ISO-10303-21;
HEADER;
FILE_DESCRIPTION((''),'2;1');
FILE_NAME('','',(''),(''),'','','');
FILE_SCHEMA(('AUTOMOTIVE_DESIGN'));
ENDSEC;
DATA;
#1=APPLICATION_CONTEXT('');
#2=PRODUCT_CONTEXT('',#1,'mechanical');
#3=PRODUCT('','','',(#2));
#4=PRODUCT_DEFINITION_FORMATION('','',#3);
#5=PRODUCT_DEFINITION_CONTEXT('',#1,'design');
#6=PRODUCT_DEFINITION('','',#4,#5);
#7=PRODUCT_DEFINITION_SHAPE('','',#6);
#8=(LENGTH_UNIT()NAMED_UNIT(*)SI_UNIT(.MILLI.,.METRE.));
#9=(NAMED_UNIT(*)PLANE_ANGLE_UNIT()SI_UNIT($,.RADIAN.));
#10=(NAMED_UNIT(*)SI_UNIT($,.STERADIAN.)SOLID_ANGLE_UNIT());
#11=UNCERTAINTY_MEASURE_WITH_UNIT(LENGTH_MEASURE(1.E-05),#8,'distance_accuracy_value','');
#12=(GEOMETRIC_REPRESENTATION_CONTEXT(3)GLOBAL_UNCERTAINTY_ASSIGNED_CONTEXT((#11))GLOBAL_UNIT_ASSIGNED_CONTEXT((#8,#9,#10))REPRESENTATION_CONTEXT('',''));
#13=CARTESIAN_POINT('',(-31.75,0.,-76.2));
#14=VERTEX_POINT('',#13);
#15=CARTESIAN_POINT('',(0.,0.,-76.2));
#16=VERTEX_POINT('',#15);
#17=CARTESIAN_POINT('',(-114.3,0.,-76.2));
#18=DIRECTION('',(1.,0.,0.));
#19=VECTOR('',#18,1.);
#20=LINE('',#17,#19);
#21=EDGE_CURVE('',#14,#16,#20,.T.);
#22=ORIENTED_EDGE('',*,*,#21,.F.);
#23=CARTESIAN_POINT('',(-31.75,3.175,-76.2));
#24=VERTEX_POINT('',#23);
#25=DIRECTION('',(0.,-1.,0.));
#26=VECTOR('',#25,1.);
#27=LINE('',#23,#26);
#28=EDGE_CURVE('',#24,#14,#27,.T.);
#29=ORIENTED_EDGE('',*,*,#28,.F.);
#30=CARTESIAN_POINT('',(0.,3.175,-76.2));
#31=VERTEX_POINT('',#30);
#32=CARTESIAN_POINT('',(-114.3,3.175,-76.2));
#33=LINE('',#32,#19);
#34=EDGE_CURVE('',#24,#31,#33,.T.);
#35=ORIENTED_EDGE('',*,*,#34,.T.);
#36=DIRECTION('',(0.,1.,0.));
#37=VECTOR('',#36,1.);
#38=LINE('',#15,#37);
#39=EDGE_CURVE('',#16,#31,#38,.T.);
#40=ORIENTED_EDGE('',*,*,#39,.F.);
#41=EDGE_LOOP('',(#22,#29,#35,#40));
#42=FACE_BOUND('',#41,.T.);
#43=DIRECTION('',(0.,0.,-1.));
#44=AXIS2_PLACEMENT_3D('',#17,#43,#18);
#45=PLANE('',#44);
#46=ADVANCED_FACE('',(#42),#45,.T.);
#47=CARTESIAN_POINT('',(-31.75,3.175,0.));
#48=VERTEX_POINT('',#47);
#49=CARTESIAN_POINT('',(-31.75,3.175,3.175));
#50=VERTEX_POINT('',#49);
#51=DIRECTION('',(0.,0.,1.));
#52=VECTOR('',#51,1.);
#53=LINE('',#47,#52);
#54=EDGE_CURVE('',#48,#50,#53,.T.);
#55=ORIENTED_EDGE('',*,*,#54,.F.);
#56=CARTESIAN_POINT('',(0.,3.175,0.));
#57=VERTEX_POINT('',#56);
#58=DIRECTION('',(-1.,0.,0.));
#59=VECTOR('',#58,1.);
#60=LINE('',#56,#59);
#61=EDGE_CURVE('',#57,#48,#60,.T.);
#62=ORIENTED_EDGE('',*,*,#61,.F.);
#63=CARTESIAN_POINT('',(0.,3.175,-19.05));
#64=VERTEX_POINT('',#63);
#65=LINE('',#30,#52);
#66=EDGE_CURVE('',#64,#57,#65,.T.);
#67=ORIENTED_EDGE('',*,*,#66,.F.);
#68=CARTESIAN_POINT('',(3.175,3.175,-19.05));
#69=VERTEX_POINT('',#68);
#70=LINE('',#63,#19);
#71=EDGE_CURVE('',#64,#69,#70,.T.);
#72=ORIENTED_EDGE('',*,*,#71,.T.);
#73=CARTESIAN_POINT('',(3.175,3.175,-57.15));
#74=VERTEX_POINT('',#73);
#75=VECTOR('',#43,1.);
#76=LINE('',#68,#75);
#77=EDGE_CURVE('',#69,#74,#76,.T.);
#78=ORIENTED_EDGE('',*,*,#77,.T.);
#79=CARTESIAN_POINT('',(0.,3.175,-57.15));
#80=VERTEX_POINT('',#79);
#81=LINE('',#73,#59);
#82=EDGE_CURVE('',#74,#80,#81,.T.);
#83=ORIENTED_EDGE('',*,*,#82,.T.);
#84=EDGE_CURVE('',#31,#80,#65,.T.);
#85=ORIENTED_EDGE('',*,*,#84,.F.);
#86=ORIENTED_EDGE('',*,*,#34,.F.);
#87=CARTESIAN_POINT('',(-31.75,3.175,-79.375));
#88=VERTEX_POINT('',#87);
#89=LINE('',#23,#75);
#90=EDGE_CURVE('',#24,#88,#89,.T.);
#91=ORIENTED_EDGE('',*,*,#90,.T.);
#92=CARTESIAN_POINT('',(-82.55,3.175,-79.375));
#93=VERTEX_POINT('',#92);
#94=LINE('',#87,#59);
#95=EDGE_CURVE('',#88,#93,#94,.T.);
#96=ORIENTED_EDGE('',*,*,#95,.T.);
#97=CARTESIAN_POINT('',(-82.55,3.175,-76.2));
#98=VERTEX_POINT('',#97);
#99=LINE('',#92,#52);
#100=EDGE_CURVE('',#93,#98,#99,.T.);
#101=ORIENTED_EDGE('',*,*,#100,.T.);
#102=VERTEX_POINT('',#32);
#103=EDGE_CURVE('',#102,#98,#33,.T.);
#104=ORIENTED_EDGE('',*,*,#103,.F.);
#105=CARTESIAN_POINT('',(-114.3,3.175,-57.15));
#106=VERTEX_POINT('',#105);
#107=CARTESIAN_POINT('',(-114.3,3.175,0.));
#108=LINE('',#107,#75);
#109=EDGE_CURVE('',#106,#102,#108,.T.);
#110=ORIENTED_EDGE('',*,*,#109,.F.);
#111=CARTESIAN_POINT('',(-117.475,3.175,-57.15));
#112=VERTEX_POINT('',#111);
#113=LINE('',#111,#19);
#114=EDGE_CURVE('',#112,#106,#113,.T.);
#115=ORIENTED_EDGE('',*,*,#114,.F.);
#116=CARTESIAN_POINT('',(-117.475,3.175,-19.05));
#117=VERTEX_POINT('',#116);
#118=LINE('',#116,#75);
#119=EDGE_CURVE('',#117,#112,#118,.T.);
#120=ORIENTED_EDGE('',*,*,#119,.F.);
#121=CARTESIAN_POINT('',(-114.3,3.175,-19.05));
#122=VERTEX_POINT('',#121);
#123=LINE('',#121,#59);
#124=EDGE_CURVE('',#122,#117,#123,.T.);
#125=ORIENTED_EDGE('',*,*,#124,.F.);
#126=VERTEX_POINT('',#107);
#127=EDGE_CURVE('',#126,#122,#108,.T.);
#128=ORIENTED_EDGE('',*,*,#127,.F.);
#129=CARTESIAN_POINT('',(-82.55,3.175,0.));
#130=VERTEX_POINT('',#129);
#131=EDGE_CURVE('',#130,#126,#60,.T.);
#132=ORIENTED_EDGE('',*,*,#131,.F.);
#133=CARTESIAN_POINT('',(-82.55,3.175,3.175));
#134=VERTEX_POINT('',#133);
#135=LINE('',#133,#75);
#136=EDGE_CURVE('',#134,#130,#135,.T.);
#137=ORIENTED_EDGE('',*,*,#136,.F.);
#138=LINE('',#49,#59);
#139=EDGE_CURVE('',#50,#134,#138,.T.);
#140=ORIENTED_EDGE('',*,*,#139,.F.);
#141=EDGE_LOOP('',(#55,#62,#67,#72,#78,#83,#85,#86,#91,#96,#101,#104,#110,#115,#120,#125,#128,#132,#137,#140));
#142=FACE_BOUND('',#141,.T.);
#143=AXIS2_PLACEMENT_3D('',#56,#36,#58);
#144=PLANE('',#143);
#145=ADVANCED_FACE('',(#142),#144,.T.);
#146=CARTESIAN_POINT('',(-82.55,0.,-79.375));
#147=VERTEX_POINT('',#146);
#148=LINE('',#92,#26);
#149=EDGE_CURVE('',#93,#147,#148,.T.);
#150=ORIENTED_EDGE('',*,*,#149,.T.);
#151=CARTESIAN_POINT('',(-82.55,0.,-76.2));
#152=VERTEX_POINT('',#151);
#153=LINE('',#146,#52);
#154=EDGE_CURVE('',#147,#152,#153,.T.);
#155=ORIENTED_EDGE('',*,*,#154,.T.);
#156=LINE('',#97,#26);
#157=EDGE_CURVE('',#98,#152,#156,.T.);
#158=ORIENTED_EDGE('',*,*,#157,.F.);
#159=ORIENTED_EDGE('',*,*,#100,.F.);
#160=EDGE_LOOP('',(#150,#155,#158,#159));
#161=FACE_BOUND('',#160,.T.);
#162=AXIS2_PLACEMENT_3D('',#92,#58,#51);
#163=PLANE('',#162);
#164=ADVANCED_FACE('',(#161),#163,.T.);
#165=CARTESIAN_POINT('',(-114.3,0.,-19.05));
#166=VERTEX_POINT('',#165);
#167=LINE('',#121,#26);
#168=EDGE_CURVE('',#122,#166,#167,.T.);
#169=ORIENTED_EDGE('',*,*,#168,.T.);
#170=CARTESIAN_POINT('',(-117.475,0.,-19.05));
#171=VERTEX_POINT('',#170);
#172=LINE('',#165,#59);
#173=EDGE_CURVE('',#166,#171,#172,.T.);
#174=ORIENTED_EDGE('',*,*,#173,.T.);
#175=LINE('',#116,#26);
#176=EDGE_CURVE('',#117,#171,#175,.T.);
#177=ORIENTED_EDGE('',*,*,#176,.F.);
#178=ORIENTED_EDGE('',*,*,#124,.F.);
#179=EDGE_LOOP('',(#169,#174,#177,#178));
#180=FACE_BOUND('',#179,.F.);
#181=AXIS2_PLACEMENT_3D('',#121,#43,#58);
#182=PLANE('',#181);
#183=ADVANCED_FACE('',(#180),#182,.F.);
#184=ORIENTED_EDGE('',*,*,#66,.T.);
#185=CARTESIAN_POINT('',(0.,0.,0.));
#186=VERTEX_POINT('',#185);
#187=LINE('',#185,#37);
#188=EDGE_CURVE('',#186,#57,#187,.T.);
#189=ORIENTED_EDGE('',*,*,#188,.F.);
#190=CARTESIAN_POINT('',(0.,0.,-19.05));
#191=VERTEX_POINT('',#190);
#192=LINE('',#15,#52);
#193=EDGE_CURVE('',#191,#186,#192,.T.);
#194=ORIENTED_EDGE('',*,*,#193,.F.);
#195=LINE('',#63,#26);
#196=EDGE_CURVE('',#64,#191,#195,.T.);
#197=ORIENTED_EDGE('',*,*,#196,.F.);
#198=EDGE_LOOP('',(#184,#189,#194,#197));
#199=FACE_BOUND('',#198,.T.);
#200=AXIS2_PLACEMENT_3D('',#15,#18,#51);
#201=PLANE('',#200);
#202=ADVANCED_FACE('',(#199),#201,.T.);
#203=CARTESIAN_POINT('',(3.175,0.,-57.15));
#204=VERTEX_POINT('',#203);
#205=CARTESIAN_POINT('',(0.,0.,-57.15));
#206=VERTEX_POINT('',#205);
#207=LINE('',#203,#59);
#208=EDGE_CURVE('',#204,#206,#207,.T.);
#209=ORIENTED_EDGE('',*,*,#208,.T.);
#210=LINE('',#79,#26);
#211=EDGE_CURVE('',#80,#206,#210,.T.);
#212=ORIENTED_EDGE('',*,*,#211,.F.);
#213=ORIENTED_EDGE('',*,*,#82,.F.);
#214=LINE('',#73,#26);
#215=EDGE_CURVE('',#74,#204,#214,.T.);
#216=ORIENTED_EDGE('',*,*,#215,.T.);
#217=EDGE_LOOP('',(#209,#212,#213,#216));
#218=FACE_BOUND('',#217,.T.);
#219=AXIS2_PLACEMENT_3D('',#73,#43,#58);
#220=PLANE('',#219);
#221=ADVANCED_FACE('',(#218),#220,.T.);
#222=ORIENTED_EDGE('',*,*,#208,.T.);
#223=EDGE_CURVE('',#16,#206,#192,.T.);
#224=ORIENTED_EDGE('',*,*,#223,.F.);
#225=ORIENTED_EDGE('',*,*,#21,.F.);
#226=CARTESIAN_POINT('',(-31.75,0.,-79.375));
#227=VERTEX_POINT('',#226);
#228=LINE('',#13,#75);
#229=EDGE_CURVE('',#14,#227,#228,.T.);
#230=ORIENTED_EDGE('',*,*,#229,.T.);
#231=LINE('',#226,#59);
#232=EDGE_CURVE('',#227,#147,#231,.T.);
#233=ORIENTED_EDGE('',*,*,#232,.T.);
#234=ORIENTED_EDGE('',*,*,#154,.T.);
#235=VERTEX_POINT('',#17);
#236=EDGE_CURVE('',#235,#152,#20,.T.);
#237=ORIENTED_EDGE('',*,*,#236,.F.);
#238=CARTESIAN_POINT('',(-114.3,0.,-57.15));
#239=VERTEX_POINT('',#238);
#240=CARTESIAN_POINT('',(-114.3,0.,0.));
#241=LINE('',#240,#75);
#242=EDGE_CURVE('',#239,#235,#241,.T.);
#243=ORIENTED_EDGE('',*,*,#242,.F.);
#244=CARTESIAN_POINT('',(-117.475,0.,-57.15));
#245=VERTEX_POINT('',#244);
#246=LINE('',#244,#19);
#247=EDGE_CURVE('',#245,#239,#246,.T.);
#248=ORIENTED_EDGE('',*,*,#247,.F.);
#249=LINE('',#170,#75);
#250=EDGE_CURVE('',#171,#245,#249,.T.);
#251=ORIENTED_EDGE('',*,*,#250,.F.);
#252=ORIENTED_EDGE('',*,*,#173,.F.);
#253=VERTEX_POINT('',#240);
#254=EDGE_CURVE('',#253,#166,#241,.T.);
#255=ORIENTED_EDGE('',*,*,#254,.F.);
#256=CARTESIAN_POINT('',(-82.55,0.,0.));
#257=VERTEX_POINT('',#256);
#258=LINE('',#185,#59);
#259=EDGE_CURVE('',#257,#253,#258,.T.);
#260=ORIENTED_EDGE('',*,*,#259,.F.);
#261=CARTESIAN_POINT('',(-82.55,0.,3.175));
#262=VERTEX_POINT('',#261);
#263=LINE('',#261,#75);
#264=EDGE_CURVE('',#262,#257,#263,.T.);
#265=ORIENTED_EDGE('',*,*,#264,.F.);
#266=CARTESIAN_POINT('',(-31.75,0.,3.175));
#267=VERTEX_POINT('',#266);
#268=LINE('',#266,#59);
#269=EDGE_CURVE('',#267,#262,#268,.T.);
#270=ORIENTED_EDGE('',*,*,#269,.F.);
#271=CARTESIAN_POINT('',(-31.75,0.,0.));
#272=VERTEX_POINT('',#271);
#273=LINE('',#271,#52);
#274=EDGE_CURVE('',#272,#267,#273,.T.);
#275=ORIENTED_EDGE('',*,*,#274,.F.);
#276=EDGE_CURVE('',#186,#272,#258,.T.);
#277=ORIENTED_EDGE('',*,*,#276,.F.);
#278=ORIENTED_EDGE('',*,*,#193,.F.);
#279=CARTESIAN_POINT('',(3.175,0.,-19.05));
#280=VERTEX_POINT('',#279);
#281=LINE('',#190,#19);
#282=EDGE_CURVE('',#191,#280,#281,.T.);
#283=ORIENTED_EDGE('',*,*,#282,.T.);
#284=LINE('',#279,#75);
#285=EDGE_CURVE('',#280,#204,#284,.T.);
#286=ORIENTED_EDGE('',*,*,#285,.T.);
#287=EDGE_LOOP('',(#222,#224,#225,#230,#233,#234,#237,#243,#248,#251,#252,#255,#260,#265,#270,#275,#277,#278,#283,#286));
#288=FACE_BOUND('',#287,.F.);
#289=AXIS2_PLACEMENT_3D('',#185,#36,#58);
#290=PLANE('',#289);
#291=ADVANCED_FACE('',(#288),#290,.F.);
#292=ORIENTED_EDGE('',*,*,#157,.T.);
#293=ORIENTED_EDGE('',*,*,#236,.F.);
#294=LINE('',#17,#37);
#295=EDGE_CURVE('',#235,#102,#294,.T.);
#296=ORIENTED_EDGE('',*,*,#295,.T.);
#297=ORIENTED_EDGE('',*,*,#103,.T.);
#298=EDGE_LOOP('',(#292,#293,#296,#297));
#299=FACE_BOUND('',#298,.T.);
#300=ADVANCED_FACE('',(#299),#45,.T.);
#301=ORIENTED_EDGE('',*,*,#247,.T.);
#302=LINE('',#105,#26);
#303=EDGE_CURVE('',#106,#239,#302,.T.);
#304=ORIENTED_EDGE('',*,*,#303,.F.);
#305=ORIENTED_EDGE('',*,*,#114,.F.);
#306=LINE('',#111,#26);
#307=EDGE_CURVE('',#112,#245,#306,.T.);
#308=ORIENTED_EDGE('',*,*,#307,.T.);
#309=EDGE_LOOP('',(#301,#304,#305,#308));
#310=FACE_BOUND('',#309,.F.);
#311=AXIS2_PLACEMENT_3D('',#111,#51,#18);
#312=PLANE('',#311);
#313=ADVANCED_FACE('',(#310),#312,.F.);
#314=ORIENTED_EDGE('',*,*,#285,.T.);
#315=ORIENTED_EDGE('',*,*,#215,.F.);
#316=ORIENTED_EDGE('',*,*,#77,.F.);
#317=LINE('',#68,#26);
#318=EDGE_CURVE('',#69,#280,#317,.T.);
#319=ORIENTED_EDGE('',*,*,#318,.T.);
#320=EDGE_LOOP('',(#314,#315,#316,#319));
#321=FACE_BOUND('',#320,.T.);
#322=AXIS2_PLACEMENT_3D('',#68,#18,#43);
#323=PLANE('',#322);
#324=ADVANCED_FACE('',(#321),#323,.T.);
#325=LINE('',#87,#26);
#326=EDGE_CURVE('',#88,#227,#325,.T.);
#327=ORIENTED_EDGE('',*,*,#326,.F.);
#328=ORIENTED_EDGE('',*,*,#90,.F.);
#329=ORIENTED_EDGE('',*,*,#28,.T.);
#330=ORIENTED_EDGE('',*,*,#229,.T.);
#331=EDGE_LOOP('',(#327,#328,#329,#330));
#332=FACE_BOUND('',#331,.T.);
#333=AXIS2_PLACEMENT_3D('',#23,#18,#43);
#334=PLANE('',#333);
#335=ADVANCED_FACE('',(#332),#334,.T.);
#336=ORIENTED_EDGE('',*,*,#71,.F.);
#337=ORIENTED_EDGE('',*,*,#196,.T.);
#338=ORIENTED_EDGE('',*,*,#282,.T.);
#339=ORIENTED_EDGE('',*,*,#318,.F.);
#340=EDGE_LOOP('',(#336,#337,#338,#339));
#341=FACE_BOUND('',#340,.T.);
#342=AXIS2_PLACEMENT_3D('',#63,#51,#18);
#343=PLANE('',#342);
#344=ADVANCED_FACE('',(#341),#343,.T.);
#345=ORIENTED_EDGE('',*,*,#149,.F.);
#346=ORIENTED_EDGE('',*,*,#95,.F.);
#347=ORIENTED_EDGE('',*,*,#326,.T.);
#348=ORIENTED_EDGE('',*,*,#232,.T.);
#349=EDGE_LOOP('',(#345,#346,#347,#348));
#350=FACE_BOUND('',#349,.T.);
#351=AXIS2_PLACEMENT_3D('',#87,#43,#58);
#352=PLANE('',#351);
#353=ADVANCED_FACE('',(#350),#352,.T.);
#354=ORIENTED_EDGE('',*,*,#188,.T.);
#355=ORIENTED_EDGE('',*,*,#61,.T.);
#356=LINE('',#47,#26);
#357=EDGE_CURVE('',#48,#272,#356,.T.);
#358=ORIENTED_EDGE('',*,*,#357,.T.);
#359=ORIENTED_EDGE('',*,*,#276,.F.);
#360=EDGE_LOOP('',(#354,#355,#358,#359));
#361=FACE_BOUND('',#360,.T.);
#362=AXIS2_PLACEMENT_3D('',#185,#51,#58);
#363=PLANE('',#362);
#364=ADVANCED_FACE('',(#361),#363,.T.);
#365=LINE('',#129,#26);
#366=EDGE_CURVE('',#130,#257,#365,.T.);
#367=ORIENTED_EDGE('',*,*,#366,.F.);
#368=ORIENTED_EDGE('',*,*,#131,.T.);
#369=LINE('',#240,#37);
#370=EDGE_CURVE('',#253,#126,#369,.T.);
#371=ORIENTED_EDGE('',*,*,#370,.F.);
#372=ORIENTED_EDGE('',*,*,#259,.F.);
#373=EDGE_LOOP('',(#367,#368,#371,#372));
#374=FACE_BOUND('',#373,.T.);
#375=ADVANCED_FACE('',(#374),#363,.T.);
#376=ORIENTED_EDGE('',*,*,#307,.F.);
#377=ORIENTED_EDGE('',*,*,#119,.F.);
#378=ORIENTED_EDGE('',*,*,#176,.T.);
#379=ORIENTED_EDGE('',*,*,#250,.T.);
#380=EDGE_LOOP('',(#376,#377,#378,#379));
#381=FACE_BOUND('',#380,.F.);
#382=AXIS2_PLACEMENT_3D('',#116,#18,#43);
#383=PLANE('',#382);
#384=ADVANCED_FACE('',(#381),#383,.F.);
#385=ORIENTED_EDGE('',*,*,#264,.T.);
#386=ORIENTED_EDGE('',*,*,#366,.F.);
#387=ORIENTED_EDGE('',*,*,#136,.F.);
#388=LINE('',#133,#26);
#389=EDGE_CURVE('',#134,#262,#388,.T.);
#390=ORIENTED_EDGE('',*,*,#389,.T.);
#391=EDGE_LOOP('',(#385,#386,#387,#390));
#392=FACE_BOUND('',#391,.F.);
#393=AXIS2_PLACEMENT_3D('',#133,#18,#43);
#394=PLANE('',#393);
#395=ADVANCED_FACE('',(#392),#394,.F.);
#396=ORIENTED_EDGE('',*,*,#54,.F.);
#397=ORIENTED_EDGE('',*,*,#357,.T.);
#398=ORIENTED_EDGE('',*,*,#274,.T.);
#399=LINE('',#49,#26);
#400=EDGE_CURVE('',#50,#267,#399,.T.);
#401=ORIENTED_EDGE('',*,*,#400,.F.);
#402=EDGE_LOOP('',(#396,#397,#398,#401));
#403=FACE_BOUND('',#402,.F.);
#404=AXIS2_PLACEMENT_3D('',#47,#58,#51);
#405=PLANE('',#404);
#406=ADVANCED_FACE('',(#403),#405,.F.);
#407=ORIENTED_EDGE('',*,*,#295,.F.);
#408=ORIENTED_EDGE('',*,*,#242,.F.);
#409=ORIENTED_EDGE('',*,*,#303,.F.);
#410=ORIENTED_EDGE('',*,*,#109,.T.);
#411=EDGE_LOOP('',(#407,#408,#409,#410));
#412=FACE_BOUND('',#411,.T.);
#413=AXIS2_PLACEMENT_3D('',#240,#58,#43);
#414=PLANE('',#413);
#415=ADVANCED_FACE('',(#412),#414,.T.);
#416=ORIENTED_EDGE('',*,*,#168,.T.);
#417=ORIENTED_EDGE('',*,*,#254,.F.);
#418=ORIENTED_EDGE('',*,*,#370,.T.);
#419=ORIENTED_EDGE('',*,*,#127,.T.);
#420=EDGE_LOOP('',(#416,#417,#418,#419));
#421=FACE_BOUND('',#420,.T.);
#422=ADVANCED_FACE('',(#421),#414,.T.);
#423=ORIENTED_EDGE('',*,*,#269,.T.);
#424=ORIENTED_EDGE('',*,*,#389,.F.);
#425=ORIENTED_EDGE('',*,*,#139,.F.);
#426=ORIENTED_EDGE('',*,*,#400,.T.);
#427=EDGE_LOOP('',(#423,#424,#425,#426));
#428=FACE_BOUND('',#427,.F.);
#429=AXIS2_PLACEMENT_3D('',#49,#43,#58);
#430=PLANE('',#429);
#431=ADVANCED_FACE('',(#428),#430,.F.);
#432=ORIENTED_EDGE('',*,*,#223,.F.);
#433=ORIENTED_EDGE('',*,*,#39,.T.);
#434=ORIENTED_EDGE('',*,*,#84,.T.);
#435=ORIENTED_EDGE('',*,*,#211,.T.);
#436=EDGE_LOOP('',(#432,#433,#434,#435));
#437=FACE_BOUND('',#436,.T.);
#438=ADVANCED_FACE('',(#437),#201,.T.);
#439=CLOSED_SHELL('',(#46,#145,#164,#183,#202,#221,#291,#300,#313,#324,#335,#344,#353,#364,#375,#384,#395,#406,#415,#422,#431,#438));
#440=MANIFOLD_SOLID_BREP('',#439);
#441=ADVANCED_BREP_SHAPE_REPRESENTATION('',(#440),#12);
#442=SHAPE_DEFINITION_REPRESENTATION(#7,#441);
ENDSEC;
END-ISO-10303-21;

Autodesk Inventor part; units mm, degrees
ref_plane "YZ Plane" through (0, 0, 0) normal (1, 0, 0) x (0, 1, 0)
ref_plane "XZ Plane" through (0, 0, 0) normal (0, 1, 0) x (-1, 0, 0)
ref_plane "XY Plane" through (0, 0, 0) normal (0, 0, 1) x (1, 0, 0)
sketch "Sketch1" plane through (0, 0, 0) normal (0, 1, 0) x (-1, 0, 0)
  line L0 (0, 0) -> (114.3, 0)
  line L1 (114.3, 0) -> (114.3, -76.2)
  line L2 (114.3, -76.2) -> (0, -76.2)
  line L3 (0, -76.2) -> (0, 0)
  dimension "d0" = 114.3
  dimension "d1" = 76.2
extrude "Extrusion1" add sketch "Sketch1" along normal blind 3.175
sketch "Sketch2" plane through (0, 3.175, 0) normal (0, 1, 0) x (1, 0, 0)
  line L0 (-82.55, 0) -> (-31.75, 0)
  line L1 (-31.75, 0) -> (-31.75, -3.175)
  line L2 (-31.75, -3.175) -> (-82.55, -3.175)
  line L3 (-82.55, -3.175) -> (-82.55, 0)
  line L4 (-114.3, 0) -> (0, 0) projected
  line L5 (-114.3, 76.2) -> (-114.3, 0) projected
  line L6 (-114.3, 38.1) -> (-60.6343, 38.1) construction
  line L7 (-82.55, 76.2) -> (-31.75, 76.2)
  line L8 (-31.75, 76.2) -> (-31.75, 79.375)
  line L9 (-31.75, 79.375) -> (-82.55, 79.375)
  line L10 (-82.55, 79.375) -> (-82.55, 76.2)
  line L11 (-114.3, 76.2) -> (0, 76.2)
  line L12 (-114.3, 19.05) -> (-117.475, 19.05)
  line L13 (-117.475, 19.05) -> (-117.475, 57.15)
  line L14 (-117.475, 57.15) -> (-114.3, 57.15)
  line L15 (-114.3, 57.15) -> (-114.3, 19.05)
  line L16 (0, 76.2) -> (-114.3, 76.2) projected
  line L17 (-57.15, 76.2) -> (-57.15, 50.0024) construction
  line L18 (0, 76.2) -> (0, 0)
  line L19 (0, 38.1) -> (-53.6657, 38.1) construction
  line L20 (0, 19.05) -> (3.175, 19.05)
  line L21 (3.175, 19.05) -> (3.175, 57.15)
  line L22 (3.175, 57.15) -> (0, 57.15)
  line L23 (0, 57.15) -> (0, 19.05)
  dimension "d4" = 50.8
  dimension "d5" = 3.175
  dimension "d6" = 0
  dimension "d7" = 31.75
  dimension "d8" = 38.1
  dimension "d9" = 3.175
  dimension "d10" = 19.05
extrude "Extrusion2" add sketch "Sketch2" against normal blind 3.175 contours L0 L1 L2 L3 | L12 L13 L14 L5 | L18 L22 L21 L20 | L10 L9 L8 L7
properties part number "top"
